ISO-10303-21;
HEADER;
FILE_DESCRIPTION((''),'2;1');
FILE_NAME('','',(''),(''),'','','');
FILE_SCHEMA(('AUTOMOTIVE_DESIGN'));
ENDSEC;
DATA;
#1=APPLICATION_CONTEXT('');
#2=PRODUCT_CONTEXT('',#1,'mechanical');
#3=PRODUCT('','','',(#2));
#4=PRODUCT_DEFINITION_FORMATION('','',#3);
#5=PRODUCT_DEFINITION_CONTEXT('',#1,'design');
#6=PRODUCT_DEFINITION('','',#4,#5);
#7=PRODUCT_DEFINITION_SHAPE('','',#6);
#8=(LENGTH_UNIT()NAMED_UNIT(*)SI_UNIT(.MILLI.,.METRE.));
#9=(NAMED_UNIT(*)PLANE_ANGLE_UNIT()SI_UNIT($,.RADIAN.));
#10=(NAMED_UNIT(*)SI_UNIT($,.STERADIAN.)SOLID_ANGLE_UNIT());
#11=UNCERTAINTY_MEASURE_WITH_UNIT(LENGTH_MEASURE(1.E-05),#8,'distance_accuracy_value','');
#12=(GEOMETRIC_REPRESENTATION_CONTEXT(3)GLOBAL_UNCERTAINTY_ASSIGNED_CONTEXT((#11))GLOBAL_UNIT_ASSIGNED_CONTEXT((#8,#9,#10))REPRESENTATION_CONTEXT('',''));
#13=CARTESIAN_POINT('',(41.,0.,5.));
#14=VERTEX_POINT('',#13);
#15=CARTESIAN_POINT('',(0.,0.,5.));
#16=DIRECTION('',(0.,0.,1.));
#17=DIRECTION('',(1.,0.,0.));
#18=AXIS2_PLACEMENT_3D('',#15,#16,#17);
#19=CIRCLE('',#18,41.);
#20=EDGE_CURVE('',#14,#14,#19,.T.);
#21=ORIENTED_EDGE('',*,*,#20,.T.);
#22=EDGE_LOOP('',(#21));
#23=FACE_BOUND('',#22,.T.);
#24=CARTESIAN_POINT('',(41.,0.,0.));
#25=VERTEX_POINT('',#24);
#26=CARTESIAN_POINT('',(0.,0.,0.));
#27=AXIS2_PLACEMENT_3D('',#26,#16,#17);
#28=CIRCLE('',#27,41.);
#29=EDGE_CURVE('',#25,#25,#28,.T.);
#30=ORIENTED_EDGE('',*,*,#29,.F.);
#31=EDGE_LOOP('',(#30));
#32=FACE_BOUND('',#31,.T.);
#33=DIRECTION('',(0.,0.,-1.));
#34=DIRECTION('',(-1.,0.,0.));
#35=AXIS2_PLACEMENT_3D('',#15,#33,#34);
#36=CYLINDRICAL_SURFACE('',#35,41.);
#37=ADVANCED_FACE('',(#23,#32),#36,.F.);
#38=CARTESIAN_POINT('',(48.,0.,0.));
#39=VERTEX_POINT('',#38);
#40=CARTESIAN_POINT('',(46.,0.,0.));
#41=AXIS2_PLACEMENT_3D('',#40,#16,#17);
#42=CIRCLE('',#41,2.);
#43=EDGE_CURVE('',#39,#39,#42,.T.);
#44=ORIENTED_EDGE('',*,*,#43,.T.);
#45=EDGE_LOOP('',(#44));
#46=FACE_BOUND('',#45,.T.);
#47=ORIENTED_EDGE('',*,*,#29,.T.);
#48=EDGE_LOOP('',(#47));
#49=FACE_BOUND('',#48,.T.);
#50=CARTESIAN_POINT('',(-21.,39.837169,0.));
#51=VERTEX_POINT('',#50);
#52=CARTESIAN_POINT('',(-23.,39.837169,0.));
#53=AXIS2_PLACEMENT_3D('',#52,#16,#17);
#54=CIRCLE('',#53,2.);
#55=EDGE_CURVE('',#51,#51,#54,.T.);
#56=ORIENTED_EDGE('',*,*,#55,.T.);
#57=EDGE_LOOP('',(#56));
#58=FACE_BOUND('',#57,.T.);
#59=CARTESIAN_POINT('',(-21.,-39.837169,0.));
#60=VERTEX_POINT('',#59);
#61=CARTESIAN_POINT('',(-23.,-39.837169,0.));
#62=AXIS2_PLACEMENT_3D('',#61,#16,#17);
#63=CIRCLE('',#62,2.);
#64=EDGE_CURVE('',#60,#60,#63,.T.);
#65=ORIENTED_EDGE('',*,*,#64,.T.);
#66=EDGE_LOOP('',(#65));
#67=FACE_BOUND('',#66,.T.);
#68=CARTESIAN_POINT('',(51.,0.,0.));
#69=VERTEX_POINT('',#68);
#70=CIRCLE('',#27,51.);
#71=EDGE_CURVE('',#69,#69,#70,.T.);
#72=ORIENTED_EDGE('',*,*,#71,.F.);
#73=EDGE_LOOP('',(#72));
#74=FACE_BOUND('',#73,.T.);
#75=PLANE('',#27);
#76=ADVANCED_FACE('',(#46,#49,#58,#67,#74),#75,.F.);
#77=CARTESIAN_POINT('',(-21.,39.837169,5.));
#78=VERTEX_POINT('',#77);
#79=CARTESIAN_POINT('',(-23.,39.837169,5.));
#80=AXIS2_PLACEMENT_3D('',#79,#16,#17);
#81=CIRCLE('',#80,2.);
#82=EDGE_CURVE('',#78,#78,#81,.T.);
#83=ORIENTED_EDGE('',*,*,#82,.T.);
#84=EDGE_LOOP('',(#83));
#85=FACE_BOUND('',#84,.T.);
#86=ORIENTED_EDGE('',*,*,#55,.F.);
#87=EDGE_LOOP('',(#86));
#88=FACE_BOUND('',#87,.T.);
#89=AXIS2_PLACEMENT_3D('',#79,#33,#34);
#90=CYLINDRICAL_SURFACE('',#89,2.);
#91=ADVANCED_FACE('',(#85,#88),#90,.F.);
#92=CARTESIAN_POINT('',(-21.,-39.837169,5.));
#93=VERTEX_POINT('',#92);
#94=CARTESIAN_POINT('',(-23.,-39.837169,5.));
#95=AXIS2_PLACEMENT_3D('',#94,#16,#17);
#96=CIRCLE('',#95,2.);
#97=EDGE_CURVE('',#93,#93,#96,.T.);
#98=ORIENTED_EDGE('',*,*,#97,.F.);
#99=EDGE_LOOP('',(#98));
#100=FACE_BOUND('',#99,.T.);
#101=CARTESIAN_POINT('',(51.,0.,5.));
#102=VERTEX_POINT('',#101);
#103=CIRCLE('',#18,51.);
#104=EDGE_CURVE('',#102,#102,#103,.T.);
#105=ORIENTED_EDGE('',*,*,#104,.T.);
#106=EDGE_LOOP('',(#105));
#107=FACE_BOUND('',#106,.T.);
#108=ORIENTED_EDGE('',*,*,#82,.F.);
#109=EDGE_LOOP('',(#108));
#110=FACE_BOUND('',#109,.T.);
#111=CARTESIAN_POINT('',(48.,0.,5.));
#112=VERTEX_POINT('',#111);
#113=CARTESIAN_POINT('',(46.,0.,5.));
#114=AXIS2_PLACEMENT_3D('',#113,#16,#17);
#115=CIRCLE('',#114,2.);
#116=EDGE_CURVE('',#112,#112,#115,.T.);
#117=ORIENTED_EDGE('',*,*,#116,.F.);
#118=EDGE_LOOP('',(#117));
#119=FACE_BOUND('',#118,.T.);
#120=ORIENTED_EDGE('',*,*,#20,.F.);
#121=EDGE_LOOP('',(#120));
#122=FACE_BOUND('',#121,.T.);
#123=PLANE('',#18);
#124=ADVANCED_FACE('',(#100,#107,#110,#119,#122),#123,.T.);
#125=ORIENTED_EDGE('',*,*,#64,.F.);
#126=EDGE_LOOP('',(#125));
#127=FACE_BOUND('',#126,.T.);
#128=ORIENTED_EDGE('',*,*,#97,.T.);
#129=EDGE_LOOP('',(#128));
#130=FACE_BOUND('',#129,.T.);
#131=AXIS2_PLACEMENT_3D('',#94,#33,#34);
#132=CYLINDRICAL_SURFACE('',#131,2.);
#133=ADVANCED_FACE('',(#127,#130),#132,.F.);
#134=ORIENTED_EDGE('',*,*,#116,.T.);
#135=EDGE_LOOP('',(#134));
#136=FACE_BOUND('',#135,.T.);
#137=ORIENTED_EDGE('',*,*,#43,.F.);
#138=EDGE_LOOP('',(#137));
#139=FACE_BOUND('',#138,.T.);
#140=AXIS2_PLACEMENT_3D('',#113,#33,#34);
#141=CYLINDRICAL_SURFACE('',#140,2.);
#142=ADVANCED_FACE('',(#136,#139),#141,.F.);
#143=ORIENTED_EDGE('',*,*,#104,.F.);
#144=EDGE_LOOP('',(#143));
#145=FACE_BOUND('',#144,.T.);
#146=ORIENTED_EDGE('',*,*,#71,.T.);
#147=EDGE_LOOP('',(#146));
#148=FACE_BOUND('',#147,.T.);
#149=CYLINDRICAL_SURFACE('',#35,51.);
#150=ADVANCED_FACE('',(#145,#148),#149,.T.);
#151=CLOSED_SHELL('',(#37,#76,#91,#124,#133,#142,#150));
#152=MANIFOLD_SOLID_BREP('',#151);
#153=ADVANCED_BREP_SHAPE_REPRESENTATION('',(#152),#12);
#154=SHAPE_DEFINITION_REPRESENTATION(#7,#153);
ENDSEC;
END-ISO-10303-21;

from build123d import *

# Parameters (mm, degrees)
ESQUISSE1_R        = 51
ESQUISSE1_R_2      = 2
ESQUISSE1_R_3      = 41
BOSS_EXTRU_1_DEPTH = 5


with BuildPart() as part:
    # Esquisse1 → Boss.-Extru.1 (new body)
    with BuildSketch(Plane.XY):
        Circle(ESQUISSE1_R)
        with Locations((46, 0)):
            Circle(ESQUISSE1_R_2, mode=Mode.SUBTRACT)
        with Locations((-23, -39.837168574)):
            Circle(ESQUISSE1_R_2, mode=Mode.SUBTRACT)
        with Locations((-23, 39.837168574)):
            Circle(ESQUISSE1_R_2, mode=Mode.SUBTRACT)
        Circle(ESQUISSE1_R_3, mode=Mode.SUBTRACT)
    extrude(amount=BOSS_EXTRU_1_DEPTH)


solid = part.part
